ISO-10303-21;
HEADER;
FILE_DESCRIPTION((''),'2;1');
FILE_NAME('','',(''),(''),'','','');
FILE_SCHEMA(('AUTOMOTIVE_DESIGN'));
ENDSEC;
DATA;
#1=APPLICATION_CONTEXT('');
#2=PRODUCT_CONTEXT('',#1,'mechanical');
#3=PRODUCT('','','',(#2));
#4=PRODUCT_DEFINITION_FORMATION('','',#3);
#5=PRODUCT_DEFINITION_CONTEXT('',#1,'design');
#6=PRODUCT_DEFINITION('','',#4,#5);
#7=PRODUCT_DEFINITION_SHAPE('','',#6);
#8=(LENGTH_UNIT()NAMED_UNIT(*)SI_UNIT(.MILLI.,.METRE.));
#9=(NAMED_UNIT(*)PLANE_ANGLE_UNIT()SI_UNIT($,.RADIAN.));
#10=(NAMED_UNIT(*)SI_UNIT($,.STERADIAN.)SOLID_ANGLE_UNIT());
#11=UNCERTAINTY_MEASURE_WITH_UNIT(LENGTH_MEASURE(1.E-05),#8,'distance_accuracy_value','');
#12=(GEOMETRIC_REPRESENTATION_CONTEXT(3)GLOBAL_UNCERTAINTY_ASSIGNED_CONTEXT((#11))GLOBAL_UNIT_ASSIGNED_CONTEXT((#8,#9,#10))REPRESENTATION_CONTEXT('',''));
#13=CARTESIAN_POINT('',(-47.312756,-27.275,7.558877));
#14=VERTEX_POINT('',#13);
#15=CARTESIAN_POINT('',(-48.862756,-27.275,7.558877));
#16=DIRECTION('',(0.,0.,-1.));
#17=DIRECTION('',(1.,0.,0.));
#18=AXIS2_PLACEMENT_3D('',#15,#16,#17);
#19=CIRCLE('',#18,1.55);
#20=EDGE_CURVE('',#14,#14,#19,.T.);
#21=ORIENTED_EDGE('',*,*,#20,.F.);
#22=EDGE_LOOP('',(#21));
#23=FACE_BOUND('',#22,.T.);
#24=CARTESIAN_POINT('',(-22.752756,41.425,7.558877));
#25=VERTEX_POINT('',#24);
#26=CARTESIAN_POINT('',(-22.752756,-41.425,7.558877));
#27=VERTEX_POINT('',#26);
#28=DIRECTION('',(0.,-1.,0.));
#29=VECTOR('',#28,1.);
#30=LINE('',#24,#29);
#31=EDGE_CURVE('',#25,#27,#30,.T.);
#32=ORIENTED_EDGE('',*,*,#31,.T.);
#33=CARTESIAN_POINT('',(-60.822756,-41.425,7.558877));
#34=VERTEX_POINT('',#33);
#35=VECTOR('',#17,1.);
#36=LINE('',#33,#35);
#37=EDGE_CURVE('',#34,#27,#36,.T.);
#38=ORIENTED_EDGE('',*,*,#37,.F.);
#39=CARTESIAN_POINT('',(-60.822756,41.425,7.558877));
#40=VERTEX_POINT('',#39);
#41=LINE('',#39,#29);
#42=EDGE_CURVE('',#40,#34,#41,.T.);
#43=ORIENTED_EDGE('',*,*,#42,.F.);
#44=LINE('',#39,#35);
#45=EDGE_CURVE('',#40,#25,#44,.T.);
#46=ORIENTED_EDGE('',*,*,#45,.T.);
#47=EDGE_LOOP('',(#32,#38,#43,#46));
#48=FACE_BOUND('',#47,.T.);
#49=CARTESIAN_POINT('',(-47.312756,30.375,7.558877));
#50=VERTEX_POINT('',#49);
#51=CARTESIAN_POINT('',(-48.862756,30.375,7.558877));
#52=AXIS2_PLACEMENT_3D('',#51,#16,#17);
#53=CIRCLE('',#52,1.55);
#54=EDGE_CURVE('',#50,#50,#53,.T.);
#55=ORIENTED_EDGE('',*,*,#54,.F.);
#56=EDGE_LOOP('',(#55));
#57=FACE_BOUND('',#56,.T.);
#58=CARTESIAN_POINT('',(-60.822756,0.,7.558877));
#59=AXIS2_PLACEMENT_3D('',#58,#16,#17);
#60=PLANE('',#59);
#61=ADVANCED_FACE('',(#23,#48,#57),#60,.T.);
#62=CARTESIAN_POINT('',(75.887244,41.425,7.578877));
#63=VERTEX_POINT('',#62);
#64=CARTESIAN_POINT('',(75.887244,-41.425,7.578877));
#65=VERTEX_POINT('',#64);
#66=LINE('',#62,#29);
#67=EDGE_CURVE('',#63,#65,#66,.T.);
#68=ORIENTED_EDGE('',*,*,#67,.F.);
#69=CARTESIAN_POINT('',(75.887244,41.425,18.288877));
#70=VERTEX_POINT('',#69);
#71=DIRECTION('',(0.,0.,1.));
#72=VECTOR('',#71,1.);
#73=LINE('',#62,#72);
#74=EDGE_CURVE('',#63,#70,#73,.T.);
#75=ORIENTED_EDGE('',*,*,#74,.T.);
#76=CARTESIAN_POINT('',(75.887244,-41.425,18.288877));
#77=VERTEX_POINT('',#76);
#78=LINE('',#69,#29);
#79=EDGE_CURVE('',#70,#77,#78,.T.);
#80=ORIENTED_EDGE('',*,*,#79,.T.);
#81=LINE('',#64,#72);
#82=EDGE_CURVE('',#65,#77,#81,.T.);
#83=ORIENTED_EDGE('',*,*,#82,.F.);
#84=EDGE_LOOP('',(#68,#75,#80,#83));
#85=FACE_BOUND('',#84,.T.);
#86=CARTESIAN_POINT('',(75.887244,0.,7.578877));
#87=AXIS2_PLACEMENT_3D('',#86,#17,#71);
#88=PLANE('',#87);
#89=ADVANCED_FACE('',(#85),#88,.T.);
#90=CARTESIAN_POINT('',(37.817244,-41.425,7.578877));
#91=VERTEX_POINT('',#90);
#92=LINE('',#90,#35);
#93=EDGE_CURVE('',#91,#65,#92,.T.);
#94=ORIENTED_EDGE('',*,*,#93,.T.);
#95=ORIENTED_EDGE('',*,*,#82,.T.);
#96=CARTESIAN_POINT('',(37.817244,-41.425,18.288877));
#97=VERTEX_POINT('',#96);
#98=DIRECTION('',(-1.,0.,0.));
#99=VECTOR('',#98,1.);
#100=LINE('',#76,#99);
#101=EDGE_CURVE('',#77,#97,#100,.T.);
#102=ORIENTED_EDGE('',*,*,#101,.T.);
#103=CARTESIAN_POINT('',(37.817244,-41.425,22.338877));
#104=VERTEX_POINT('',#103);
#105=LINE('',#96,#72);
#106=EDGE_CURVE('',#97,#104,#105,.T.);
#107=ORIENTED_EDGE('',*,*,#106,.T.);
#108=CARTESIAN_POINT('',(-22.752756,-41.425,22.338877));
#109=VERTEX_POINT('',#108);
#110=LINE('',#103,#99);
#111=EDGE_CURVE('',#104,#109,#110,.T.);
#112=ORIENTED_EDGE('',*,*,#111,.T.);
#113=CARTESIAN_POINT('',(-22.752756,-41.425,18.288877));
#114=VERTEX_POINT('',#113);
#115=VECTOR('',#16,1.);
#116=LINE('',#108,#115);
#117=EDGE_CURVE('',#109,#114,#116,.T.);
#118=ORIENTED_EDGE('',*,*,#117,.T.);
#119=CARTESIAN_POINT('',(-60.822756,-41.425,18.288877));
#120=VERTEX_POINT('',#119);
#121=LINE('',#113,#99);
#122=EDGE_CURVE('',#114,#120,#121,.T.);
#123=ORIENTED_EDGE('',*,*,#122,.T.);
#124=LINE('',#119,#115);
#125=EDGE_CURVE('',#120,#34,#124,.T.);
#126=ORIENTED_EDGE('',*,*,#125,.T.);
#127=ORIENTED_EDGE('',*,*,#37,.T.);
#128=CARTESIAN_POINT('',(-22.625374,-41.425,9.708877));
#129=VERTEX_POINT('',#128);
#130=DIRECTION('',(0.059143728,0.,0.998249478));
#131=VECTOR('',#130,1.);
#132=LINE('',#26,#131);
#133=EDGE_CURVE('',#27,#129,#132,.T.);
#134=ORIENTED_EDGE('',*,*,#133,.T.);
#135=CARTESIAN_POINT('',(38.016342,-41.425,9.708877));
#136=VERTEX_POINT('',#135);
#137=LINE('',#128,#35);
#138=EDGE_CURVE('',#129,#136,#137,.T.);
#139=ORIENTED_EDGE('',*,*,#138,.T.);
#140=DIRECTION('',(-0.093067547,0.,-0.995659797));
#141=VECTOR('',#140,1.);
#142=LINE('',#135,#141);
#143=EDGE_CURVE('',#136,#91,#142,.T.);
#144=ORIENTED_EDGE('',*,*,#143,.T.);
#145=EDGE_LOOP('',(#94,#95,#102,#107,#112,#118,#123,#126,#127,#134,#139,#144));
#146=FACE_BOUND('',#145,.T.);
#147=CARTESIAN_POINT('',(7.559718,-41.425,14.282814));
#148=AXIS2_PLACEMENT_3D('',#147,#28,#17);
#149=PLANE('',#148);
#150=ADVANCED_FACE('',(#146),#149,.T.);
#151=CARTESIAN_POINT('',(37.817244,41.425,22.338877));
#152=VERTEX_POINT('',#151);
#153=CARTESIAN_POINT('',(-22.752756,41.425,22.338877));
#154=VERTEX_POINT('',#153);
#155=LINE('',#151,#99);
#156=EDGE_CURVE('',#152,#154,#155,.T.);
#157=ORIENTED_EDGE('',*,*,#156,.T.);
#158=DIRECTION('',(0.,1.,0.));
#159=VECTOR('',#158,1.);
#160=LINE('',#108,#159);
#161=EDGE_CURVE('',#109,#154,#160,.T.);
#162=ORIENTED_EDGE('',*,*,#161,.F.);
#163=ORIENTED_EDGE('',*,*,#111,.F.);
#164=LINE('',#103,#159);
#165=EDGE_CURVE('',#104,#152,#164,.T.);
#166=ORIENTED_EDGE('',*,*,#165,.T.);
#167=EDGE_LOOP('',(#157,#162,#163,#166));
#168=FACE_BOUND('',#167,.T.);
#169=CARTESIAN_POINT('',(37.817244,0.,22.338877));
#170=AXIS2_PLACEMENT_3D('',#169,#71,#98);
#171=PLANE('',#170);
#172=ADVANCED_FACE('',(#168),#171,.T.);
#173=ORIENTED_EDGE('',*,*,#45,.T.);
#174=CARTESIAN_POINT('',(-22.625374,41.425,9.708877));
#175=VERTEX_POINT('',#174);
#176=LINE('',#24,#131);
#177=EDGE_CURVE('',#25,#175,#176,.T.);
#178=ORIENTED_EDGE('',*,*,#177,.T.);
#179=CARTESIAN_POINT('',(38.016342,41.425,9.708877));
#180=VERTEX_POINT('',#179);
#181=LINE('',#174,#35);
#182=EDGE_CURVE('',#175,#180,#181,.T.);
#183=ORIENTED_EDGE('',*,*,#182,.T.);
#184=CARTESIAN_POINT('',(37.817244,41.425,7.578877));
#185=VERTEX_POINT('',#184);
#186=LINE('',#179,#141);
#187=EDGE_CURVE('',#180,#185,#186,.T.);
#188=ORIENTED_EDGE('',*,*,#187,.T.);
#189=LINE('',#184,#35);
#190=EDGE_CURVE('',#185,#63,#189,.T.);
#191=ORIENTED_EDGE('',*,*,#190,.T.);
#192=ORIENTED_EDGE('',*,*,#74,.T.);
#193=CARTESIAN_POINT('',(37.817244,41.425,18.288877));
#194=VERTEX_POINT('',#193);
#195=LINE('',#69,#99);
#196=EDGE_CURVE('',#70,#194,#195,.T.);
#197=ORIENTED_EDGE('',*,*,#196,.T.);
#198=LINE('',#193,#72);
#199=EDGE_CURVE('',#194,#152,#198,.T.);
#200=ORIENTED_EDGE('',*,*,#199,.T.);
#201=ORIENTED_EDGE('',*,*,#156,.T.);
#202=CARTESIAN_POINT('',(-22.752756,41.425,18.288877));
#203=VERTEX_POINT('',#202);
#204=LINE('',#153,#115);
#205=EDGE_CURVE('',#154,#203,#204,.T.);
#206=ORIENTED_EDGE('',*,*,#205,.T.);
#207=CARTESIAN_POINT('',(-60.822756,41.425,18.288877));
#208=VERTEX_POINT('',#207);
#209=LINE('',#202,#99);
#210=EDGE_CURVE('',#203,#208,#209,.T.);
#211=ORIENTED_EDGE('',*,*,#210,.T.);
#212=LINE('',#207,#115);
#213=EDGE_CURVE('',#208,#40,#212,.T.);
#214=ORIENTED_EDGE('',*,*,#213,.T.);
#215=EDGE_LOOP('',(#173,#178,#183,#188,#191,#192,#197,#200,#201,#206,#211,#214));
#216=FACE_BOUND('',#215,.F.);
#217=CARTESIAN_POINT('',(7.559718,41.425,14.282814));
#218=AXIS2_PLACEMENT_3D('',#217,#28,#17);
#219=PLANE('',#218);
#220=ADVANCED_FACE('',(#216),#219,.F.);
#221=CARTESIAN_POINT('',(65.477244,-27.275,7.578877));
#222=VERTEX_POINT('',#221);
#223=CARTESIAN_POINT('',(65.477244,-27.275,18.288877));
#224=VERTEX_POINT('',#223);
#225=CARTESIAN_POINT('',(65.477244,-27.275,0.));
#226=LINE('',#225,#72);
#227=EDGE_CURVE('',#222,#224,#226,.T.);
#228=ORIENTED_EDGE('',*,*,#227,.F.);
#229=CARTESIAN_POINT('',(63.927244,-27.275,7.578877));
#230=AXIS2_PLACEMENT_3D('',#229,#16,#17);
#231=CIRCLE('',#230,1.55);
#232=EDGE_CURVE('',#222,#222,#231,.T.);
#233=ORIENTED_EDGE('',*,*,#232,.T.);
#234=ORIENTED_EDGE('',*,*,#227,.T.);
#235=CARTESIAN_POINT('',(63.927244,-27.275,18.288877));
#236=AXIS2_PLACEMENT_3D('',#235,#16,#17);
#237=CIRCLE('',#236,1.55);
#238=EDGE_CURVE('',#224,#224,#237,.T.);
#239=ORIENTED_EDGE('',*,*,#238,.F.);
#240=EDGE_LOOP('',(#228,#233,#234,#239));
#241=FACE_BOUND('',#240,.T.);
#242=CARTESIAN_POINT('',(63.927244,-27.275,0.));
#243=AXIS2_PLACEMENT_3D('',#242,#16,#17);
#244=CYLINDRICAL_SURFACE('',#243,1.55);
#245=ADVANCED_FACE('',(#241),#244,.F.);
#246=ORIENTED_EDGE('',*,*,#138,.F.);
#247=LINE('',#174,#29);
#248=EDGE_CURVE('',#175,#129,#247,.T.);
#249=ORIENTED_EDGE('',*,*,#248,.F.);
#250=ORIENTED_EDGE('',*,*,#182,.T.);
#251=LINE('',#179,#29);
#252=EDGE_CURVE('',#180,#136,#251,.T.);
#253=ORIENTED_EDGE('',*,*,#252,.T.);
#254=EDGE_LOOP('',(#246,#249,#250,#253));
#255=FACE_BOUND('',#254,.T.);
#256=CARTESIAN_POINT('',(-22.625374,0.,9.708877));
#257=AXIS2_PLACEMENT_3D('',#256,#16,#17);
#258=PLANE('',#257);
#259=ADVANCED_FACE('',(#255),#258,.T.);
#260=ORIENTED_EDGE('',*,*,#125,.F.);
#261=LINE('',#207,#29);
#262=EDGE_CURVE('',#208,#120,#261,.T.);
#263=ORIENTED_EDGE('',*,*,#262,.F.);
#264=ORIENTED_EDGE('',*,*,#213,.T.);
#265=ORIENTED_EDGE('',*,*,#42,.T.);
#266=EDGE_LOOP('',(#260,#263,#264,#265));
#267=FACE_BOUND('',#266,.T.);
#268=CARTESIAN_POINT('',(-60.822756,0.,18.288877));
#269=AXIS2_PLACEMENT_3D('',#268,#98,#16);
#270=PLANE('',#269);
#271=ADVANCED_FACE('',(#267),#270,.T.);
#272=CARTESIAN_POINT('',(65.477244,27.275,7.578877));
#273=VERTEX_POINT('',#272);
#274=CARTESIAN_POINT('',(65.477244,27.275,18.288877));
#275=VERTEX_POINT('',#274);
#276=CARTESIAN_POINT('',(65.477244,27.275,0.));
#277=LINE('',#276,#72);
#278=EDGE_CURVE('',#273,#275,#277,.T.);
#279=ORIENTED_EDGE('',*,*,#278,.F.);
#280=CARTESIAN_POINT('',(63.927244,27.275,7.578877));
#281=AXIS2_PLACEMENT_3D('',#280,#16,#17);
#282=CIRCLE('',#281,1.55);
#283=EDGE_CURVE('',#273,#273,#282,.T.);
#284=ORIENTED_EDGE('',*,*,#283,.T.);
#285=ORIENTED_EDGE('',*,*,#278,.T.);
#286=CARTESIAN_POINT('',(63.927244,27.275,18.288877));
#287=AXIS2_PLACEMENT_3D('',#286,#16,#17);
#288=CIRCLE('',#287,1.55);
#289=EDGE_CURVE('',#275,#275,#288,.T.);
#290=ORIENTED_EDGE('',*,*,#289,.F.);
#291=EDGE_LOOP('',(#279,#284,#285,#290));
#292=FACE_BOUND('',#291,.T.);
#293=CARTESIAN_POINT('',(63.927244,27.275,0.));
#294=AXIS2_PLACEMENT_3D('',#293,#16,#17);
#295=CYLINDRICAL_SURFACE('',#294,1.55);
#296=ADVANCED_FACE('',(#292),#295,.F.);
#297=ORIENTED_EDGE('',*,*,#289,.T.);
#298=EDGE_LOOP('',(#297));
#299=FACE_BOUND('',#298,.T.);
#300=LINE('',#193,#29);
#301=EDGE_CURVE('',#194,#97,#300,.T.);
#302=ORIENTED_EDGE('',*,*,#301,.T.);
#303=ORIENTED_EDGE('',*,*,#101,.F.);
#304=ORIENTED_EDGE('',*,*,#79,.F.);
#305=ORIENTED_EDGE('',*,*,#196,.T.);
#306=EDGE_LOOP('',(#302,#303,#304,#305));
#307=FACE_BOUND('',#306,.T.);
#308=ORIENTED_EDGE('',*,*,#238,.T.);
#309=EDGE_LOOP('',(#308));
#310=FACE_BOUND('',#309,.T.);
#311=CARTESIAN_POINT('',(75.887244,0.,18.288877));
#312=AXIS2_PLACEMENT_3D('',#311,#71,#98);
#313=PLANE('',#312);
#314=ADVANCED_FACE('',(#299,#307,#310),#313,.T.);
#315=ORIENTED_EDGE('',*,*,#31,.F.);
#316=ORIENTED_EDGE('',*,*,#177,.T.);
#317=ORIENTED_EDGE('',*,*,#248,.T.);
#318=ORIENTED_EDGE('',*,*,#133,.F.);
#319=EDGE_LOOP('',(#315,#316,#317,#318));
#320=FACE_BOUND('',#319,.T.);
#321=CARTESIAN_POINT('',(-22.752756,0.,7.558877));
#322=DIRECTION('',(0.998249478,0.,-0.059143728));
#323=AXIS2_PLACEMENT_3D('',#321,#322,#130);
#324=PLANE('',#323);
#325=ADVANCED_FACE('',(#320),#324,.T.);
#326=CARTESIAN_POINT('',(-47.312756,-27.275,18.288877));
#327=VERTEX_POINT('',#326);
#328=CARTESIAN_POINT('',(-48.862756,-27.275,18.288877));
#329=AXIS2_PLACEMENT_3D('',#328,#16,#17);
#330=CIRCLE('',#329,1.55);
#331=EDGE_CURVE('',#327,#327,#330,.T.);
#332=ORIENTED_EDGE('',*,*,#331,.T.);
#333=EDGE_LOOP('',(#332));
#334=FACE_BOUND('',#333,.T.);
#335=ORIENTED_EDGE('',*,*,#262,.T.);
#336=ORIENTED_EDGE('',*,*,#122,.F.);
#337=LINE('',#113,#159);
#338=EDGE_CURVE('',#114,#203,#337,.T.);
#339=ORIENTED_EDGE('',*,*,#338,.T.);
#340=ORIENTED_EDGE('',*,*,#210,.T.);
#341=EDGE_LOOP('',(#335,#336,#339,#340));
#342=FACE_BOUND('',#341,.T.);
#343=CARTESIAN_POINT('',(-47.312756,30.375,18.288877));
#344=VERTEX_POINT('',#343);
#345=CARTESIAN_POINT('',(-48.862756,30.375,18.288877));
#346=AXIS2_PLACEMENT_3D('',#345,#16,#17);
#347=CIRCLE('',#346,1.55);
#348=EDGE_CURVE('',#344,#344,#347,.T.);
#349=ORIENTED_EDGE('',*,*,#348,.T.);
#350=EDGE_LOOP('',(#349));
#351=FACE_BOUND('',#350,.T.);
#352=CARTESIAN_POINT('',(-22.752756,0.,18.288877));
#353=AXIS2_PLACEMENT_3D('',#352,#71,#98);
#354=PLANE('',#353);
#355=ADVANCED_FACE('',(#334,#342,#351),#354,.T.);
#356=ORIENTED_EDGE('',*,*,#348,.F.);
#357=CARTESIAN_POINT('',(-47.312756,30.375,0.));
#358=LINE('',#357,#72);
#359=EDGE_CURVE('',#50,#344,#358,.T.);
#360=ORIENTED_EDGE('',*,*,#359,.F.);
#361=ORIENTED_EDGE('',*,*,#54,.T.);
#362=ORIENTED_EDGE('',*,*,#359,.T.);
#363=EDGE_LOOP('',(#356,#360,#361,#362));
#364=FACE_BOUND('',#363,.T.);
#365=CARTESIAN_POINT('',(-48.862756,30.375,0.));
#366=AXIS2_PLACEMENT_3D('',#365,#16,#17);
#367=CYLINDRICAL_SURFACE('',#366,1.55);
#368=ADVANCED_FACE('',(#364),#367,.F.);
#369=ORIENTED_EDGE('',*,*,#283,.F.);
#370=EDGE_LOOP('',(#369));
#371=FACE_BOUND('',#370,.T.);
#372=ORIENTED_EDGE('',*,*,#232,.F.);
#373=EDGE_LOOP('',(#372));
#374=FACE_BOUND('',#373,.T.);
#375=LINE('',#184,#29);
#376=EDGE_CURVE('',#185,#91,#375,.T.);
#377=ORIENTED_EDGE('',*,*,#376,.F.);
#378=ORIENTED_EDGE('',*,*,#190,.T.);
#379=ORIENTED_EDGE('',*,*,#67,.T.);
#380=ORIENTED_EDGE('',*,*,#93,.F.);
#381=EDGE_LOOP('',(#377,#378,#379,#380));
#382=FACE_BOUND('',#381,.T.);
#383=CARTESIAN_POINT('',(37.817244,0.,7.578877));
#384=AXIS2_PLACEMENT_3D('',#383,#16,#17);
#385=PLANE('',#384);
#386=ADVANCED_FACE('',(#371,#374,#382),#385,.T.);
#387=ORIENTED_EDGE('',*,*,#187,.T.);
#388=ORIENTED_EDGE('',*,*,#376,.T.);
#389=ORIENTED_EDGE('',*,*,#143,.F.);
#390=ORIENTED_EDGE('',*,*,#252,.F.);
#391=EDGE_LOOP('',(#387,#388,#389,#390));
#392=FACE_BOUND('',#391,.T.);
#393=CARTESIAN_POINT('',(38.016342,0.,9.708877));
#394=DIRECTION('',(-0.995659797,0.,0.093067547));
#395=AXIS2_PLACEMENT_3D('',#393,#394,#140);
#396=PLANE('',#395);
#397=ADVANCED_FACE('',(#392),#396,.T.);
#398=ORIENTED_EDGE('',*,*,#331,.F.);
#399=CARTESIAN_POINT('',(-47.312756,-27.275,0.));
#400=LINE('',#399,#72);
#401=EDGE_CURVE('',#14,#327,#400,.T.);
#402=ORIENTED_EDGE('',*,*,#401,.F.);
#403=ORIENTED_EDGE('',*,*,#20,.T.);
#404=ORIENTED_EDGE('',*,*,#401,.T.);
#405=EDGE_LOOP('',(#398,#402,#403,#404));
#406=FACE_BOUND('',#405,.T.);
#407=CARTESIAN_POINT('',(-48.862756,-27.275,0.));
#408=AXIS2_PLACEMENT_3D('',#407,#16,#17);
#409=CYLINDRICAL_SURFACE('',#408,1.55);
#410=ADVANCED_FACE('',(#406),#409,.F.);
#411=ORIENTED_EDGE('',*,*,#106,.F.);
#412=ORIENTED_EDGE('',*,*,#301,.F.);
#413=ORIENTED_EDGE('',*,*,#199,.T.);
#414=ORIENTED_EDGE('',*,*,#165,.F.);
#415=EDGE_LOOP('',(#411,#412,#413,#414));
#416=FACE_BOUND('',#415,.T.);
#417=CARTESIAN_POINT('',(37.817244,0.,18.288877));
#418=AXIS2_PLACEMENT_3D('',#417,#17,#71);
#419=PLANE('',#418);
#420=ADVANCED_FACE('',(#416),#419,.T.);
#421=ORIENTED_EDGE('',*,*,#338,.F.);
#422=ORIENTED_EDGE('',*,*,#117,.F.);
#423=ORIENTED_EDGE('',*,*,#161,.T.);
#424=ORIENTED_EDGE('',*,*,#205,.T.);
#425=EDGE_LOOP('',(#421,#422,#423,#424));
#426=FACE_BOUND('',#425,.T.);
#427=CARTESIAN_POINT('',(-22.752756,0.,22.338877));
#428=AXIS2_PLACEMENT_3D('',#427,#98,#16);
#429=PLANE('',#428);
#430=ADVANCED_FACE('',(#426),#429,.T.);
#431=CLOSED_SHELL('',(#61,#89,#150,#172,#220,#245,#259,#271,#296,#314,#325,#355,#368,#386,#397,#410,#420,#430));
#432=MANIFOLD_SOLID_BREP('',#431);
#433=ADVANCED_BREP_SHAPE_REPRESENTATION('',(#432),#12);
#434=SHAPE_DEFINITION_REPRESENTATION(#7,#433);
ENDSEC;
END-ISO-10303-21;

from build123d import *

# Parameters (mm, degrees)
F1_DEPTH = 41.425
F2_R     = 1.55
F3_DEPTH = 22.339877


with BuildPart() as f1:
    # F0 (on Front) → F1 (new body, symmetric)
    with BuildSketch(Plane.XZ):
        Polygon((-22.752756, 18.288877), (-60.822756, 18.288877), (-60.822756, 7.558877), (-22.752756, 7.558877), (-22.625374, 9.708877), (38.016342, 9.708877), (37.817244, 7.578877), (75.887244, 7.578877), (75.887244, 18.288877), (37.817244, 18.288877), (37.817244, 22.338877), (-22.752756, 22.338877), align=None)
    extrude(amount=F1_DEPTH, both=True)

    # F2 (on Top) → F3 (cut, through all)
    with BuildSketch(Plane.XY):
        with Locations((-48.862756, 30.375)):
            Circle(F2_R)
        with Locations((63.927244, 27.275)):
            Circle(F2_R)
        with Locations((63.927244, -27.275)):
            Circle(F2_R)
        with Locations((-48.862756, -27.275)):
            Circle(F2_R)
    extrude(amount=F3_DEPTH, mode=Mode.SUBTRACT)


solid = f1.part
